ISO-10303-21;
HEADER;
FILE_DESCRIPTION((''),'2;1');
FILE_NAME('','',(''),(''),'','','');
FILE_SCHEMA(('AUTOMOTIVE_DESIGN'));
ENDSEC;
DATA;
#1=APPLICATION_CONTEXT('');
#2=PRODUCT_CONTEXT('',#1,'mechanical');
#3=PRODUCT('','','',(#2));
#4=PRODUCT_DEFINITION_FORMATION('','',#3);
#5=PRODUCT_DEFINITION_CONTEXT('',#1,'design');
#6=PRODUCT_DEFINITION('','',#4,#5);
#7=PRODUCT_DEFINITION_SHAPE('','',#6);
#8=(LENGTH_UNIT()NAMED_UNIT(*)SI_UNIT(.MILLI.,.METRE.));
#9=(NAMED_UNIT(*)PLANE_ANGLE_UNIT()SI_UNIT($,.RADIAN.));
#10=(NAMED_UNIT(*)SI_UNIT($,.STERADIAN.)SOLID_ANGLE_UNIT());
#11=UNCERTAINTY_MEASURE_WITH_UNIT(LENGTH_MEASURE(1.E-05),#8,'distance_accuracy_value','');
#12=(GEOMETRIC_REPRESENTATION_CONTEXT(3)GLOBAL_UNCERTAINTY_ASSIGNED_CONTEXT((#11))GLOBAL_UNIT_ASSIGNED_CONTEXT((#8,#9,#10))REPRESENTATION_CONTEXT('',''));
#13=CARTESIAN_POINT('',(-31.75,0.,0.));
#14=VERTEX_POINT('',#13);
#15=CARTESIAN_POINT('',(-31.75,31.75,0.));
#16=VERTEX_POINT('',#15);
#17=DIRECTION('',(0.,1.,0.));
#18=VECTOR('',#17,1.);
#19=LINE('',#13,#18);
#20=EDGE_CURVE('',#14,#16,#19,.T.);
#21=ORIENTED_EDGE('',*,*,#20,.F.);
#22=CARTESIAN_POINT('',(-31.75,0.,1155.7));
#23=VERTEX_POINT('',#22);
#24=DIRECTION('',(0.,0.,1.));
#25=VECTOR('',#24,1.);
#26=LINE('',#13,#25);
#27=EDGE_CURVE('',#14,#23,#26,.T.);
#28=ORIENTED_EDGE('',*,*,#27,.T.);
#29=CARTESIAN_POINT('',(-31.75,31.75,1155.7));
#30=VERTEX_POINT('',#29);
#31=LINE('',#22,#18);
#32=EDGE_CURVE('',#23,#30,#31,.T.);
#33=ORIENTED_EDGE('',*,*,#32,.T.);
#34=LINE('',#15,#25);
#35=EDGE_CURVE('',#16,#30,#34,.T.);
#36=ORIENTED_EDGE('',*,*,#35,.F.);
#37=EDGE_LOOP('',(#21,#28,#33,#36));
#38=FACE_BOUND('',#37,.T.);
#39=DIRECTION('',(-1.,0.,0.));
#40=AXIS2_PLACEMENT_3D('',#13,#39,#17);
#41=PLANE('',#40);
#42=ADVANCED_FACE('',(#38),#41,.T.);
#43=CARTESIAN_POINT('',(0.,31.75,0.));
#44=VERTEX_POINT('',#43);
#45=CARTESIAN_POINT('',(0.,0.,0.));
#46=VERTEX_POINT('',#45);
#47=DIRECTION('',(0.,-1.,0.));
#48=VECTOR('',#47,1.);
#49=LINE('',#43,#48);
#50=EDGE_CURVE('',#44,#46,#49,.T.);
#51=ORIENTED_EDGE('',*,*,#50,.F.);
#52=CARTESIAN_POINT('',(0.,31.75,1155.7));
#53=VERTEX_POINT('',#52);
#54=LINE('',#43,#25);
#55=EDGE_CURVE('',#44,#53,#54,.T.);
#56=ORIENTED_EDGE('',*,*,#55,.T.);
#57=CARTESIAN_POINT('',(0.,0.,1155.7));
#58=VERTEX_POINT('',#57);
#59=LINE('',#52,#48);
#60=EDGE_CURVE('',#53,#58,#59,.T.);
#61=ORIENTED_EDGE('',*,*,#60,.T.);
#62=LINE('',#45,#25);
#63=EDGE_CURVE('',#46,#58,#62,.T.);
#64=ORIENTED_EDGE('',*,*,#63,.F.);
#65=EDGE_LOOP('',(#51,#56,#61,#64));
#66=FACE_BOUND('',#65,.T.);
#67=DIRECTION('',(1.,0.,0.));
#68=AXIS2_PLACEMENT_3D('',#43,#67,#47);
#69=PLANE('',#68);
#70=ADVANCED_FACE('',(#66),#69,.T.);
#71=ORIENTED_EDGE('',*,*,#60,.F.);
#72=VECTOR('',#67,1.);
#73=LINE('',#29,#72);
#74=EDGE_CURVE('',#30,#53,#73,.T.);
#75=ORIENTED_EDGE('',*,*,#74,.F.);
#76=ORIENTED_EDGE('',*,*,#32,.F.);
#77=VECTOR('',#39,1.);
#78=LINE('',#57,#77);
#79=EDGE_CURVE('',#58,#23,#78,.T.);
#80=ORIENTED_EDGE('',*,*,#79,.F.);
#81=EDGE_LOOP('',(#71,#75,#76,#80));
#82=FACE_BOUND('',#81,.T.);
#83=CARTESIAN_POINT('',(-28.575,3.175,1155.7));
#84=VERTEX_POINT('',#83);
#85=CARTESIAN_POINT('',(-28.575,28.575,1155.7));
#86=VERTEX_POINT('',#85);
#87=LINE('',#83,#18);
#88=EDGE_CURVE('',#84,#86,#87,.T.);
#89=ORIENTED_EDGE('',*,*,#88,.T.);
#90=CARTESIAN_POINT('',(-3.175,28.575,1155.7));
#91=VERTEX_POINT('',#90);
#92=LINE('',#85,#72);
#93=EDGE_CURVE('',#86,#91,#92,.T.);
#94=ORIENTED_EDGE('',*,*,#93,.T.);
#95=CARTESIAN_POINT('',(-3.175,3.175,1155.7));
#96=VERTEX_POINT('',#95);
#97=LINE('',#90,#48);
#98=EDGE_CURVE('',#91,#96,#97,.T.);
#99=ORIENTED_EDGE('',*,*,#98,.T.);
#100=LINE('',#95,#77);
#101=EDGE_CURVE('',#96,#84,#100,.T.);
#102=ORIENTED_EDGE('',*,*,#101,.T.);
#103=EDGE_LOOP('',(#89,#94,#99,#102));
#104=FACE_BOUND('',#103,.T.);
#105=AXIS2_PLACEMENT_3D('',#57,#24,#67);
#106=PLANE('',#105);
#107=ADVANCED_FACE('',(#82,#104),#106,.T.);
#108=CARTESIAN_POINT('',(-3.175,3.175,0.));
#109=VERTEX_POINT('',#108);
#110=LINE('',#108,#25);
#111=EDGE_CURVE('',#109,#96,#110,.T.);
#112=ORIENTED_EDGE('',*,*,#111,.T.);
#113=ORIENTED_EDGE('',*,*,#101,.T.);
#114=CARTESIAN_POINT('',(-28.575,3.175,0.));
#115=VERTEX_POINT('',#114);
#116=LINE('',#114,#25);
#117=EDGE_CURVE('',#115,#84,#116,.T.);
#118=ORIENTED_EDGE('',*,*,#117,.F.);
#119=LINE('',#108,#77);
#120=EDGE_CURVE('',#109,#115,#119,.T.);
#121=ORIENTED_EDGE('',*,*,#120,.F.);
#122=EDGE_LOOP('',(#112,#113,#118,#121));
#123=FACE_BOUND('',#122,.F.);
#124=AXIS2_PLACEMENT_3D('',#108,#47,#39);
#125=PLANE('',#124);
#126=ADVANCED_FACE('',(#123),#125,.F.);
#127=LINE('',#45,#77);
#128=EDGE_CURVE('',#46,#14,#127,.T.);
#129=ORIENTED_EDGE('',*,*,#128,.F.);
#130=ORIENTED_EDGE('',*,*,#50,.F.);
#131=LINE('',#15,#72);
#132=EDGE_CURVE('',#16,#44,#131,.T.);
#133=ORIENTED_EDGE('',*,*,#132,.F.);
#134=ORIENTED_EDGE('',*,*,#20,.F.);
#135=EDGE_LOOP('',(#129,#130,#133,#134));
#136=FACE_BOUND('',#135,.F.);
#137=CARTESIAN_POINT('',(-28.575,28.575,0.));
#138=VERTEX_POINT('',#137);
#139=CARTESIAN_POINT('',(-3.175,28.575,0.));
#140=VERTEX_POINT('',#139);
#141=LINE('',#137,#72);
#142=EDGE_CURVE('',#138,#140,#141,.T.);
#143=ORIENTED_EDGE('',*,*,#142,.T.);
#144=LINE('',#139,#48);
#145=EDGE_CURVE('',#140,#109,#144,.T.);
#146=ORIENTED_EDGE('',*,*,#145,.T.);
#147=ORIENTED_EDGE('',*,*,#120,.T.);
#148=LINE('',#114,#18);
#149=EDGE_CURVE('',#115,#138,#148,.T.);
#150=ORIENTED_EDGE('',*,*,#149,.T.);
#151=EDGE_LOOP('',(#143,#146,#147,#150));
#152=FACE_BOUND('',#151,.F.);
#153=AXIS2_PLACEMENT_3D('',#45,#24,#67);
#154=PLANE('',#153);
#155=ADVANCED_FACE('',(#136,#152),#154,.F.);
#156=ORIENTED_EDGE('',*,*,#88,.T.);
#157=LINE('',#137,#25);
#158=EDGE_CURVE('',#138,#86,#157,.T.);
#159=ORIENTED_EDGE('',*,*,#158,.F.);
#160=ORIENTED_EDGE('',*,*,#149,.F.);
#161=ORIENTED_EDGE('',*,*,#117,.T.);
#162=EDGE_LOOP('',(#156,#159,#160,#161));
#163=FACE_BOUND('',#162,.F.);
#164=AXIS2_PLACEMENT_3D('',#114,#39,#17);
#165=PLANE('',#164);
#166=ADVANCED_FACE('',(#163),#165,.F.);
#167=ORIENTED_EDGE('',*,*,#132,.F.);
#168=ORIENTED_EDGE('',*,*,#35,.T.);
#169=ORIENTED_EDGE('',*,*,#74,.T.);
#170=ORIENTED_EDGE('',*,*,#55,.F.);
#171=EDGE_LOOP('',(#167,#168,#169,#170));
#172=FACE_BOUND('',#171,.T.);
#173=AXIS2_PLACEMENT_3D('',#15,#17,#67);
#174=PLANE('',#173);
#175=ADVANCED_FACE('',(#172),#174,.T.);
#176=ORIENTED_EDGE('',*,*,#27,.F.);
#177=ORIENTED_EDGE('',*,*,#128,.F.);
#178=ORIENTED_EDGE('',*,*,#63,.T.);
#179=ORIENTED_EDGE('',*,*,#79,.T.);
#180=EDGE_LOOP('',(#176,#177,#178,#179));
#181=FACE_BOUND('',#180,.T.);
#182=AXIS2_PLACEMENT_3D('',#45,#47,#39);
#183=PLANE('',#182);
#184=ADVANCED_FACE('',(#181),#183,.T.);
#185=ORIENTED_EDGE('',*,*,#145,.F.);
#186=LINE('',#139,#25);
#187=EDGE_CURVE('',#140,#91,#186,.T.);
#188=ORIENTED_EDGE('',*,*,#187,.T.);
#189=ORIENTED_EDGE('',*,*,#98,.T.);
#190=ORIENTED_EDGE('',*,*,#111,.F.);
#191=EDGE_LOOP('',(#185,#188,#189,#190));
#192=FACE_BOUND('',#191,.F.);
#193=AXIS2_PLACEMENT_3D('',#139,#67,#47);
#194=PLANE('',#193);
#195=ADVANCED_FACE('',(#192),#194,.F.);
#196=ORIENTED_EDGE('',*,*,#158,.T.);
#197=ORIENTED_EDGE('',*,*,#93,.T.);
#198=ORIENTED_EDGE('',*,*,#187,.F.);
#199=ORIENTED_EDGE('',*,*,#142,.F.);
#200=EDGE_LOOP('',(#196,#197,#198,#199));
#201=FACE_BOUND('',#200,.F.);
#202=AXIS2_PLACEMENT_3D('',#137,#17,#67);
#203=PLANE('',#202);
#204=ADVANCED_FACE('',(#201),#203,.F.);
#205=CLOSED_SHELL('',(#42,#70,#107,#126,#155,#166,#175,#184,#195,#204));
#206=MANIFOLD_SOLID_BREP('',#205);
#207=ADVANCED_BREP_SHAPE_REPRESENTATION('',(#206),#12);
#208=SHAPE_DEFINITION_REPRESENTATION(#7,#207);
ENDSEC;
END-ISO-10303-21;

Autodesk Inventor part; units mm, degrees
ref_plane "YZ Plane" through (0, 0, 0) normal (1, 0, 0) x (0, 1, 0)
ref_plane "XZ Plane" through (0, 0, 0) normal (0, 1, 0) x (-1, 0, 0)
ref_plane "XY Plane" through (0, 0, 0) normal (0, 0, 1) x (1, 0, 0)
sketch "Sketch1" plane through (0, 0, 0) normal (0, 0, 1) x (1, 0, 0)
  line L0 (0, 0) -> (-31.75, 0)
  line L1 (-31.75, 0) -> (-31.75, 31.75)
  line L2 (-31.75, 31.75) -> (0, 31.75)
  line L3 (0, 31.75) -> (0, 0)
  line L4 (-3.175, 3.175) -> (-28.575, 3.175)
  line L5 (-28.575, 3.175) -> (-28.575, 28.575)
  line L6 (-28.575, 28.575) -> (-3.175, 28.575)
  line L7 (-3.175, 28.575) -> (-3.175, 3.175)
  dimension "d0" = 3.175
  dimension "d1" = 31.75
extrude "Extrusion1" add sketch "Sketch1" along normal blind 1155.7
properties part number "GE-12089-02"
